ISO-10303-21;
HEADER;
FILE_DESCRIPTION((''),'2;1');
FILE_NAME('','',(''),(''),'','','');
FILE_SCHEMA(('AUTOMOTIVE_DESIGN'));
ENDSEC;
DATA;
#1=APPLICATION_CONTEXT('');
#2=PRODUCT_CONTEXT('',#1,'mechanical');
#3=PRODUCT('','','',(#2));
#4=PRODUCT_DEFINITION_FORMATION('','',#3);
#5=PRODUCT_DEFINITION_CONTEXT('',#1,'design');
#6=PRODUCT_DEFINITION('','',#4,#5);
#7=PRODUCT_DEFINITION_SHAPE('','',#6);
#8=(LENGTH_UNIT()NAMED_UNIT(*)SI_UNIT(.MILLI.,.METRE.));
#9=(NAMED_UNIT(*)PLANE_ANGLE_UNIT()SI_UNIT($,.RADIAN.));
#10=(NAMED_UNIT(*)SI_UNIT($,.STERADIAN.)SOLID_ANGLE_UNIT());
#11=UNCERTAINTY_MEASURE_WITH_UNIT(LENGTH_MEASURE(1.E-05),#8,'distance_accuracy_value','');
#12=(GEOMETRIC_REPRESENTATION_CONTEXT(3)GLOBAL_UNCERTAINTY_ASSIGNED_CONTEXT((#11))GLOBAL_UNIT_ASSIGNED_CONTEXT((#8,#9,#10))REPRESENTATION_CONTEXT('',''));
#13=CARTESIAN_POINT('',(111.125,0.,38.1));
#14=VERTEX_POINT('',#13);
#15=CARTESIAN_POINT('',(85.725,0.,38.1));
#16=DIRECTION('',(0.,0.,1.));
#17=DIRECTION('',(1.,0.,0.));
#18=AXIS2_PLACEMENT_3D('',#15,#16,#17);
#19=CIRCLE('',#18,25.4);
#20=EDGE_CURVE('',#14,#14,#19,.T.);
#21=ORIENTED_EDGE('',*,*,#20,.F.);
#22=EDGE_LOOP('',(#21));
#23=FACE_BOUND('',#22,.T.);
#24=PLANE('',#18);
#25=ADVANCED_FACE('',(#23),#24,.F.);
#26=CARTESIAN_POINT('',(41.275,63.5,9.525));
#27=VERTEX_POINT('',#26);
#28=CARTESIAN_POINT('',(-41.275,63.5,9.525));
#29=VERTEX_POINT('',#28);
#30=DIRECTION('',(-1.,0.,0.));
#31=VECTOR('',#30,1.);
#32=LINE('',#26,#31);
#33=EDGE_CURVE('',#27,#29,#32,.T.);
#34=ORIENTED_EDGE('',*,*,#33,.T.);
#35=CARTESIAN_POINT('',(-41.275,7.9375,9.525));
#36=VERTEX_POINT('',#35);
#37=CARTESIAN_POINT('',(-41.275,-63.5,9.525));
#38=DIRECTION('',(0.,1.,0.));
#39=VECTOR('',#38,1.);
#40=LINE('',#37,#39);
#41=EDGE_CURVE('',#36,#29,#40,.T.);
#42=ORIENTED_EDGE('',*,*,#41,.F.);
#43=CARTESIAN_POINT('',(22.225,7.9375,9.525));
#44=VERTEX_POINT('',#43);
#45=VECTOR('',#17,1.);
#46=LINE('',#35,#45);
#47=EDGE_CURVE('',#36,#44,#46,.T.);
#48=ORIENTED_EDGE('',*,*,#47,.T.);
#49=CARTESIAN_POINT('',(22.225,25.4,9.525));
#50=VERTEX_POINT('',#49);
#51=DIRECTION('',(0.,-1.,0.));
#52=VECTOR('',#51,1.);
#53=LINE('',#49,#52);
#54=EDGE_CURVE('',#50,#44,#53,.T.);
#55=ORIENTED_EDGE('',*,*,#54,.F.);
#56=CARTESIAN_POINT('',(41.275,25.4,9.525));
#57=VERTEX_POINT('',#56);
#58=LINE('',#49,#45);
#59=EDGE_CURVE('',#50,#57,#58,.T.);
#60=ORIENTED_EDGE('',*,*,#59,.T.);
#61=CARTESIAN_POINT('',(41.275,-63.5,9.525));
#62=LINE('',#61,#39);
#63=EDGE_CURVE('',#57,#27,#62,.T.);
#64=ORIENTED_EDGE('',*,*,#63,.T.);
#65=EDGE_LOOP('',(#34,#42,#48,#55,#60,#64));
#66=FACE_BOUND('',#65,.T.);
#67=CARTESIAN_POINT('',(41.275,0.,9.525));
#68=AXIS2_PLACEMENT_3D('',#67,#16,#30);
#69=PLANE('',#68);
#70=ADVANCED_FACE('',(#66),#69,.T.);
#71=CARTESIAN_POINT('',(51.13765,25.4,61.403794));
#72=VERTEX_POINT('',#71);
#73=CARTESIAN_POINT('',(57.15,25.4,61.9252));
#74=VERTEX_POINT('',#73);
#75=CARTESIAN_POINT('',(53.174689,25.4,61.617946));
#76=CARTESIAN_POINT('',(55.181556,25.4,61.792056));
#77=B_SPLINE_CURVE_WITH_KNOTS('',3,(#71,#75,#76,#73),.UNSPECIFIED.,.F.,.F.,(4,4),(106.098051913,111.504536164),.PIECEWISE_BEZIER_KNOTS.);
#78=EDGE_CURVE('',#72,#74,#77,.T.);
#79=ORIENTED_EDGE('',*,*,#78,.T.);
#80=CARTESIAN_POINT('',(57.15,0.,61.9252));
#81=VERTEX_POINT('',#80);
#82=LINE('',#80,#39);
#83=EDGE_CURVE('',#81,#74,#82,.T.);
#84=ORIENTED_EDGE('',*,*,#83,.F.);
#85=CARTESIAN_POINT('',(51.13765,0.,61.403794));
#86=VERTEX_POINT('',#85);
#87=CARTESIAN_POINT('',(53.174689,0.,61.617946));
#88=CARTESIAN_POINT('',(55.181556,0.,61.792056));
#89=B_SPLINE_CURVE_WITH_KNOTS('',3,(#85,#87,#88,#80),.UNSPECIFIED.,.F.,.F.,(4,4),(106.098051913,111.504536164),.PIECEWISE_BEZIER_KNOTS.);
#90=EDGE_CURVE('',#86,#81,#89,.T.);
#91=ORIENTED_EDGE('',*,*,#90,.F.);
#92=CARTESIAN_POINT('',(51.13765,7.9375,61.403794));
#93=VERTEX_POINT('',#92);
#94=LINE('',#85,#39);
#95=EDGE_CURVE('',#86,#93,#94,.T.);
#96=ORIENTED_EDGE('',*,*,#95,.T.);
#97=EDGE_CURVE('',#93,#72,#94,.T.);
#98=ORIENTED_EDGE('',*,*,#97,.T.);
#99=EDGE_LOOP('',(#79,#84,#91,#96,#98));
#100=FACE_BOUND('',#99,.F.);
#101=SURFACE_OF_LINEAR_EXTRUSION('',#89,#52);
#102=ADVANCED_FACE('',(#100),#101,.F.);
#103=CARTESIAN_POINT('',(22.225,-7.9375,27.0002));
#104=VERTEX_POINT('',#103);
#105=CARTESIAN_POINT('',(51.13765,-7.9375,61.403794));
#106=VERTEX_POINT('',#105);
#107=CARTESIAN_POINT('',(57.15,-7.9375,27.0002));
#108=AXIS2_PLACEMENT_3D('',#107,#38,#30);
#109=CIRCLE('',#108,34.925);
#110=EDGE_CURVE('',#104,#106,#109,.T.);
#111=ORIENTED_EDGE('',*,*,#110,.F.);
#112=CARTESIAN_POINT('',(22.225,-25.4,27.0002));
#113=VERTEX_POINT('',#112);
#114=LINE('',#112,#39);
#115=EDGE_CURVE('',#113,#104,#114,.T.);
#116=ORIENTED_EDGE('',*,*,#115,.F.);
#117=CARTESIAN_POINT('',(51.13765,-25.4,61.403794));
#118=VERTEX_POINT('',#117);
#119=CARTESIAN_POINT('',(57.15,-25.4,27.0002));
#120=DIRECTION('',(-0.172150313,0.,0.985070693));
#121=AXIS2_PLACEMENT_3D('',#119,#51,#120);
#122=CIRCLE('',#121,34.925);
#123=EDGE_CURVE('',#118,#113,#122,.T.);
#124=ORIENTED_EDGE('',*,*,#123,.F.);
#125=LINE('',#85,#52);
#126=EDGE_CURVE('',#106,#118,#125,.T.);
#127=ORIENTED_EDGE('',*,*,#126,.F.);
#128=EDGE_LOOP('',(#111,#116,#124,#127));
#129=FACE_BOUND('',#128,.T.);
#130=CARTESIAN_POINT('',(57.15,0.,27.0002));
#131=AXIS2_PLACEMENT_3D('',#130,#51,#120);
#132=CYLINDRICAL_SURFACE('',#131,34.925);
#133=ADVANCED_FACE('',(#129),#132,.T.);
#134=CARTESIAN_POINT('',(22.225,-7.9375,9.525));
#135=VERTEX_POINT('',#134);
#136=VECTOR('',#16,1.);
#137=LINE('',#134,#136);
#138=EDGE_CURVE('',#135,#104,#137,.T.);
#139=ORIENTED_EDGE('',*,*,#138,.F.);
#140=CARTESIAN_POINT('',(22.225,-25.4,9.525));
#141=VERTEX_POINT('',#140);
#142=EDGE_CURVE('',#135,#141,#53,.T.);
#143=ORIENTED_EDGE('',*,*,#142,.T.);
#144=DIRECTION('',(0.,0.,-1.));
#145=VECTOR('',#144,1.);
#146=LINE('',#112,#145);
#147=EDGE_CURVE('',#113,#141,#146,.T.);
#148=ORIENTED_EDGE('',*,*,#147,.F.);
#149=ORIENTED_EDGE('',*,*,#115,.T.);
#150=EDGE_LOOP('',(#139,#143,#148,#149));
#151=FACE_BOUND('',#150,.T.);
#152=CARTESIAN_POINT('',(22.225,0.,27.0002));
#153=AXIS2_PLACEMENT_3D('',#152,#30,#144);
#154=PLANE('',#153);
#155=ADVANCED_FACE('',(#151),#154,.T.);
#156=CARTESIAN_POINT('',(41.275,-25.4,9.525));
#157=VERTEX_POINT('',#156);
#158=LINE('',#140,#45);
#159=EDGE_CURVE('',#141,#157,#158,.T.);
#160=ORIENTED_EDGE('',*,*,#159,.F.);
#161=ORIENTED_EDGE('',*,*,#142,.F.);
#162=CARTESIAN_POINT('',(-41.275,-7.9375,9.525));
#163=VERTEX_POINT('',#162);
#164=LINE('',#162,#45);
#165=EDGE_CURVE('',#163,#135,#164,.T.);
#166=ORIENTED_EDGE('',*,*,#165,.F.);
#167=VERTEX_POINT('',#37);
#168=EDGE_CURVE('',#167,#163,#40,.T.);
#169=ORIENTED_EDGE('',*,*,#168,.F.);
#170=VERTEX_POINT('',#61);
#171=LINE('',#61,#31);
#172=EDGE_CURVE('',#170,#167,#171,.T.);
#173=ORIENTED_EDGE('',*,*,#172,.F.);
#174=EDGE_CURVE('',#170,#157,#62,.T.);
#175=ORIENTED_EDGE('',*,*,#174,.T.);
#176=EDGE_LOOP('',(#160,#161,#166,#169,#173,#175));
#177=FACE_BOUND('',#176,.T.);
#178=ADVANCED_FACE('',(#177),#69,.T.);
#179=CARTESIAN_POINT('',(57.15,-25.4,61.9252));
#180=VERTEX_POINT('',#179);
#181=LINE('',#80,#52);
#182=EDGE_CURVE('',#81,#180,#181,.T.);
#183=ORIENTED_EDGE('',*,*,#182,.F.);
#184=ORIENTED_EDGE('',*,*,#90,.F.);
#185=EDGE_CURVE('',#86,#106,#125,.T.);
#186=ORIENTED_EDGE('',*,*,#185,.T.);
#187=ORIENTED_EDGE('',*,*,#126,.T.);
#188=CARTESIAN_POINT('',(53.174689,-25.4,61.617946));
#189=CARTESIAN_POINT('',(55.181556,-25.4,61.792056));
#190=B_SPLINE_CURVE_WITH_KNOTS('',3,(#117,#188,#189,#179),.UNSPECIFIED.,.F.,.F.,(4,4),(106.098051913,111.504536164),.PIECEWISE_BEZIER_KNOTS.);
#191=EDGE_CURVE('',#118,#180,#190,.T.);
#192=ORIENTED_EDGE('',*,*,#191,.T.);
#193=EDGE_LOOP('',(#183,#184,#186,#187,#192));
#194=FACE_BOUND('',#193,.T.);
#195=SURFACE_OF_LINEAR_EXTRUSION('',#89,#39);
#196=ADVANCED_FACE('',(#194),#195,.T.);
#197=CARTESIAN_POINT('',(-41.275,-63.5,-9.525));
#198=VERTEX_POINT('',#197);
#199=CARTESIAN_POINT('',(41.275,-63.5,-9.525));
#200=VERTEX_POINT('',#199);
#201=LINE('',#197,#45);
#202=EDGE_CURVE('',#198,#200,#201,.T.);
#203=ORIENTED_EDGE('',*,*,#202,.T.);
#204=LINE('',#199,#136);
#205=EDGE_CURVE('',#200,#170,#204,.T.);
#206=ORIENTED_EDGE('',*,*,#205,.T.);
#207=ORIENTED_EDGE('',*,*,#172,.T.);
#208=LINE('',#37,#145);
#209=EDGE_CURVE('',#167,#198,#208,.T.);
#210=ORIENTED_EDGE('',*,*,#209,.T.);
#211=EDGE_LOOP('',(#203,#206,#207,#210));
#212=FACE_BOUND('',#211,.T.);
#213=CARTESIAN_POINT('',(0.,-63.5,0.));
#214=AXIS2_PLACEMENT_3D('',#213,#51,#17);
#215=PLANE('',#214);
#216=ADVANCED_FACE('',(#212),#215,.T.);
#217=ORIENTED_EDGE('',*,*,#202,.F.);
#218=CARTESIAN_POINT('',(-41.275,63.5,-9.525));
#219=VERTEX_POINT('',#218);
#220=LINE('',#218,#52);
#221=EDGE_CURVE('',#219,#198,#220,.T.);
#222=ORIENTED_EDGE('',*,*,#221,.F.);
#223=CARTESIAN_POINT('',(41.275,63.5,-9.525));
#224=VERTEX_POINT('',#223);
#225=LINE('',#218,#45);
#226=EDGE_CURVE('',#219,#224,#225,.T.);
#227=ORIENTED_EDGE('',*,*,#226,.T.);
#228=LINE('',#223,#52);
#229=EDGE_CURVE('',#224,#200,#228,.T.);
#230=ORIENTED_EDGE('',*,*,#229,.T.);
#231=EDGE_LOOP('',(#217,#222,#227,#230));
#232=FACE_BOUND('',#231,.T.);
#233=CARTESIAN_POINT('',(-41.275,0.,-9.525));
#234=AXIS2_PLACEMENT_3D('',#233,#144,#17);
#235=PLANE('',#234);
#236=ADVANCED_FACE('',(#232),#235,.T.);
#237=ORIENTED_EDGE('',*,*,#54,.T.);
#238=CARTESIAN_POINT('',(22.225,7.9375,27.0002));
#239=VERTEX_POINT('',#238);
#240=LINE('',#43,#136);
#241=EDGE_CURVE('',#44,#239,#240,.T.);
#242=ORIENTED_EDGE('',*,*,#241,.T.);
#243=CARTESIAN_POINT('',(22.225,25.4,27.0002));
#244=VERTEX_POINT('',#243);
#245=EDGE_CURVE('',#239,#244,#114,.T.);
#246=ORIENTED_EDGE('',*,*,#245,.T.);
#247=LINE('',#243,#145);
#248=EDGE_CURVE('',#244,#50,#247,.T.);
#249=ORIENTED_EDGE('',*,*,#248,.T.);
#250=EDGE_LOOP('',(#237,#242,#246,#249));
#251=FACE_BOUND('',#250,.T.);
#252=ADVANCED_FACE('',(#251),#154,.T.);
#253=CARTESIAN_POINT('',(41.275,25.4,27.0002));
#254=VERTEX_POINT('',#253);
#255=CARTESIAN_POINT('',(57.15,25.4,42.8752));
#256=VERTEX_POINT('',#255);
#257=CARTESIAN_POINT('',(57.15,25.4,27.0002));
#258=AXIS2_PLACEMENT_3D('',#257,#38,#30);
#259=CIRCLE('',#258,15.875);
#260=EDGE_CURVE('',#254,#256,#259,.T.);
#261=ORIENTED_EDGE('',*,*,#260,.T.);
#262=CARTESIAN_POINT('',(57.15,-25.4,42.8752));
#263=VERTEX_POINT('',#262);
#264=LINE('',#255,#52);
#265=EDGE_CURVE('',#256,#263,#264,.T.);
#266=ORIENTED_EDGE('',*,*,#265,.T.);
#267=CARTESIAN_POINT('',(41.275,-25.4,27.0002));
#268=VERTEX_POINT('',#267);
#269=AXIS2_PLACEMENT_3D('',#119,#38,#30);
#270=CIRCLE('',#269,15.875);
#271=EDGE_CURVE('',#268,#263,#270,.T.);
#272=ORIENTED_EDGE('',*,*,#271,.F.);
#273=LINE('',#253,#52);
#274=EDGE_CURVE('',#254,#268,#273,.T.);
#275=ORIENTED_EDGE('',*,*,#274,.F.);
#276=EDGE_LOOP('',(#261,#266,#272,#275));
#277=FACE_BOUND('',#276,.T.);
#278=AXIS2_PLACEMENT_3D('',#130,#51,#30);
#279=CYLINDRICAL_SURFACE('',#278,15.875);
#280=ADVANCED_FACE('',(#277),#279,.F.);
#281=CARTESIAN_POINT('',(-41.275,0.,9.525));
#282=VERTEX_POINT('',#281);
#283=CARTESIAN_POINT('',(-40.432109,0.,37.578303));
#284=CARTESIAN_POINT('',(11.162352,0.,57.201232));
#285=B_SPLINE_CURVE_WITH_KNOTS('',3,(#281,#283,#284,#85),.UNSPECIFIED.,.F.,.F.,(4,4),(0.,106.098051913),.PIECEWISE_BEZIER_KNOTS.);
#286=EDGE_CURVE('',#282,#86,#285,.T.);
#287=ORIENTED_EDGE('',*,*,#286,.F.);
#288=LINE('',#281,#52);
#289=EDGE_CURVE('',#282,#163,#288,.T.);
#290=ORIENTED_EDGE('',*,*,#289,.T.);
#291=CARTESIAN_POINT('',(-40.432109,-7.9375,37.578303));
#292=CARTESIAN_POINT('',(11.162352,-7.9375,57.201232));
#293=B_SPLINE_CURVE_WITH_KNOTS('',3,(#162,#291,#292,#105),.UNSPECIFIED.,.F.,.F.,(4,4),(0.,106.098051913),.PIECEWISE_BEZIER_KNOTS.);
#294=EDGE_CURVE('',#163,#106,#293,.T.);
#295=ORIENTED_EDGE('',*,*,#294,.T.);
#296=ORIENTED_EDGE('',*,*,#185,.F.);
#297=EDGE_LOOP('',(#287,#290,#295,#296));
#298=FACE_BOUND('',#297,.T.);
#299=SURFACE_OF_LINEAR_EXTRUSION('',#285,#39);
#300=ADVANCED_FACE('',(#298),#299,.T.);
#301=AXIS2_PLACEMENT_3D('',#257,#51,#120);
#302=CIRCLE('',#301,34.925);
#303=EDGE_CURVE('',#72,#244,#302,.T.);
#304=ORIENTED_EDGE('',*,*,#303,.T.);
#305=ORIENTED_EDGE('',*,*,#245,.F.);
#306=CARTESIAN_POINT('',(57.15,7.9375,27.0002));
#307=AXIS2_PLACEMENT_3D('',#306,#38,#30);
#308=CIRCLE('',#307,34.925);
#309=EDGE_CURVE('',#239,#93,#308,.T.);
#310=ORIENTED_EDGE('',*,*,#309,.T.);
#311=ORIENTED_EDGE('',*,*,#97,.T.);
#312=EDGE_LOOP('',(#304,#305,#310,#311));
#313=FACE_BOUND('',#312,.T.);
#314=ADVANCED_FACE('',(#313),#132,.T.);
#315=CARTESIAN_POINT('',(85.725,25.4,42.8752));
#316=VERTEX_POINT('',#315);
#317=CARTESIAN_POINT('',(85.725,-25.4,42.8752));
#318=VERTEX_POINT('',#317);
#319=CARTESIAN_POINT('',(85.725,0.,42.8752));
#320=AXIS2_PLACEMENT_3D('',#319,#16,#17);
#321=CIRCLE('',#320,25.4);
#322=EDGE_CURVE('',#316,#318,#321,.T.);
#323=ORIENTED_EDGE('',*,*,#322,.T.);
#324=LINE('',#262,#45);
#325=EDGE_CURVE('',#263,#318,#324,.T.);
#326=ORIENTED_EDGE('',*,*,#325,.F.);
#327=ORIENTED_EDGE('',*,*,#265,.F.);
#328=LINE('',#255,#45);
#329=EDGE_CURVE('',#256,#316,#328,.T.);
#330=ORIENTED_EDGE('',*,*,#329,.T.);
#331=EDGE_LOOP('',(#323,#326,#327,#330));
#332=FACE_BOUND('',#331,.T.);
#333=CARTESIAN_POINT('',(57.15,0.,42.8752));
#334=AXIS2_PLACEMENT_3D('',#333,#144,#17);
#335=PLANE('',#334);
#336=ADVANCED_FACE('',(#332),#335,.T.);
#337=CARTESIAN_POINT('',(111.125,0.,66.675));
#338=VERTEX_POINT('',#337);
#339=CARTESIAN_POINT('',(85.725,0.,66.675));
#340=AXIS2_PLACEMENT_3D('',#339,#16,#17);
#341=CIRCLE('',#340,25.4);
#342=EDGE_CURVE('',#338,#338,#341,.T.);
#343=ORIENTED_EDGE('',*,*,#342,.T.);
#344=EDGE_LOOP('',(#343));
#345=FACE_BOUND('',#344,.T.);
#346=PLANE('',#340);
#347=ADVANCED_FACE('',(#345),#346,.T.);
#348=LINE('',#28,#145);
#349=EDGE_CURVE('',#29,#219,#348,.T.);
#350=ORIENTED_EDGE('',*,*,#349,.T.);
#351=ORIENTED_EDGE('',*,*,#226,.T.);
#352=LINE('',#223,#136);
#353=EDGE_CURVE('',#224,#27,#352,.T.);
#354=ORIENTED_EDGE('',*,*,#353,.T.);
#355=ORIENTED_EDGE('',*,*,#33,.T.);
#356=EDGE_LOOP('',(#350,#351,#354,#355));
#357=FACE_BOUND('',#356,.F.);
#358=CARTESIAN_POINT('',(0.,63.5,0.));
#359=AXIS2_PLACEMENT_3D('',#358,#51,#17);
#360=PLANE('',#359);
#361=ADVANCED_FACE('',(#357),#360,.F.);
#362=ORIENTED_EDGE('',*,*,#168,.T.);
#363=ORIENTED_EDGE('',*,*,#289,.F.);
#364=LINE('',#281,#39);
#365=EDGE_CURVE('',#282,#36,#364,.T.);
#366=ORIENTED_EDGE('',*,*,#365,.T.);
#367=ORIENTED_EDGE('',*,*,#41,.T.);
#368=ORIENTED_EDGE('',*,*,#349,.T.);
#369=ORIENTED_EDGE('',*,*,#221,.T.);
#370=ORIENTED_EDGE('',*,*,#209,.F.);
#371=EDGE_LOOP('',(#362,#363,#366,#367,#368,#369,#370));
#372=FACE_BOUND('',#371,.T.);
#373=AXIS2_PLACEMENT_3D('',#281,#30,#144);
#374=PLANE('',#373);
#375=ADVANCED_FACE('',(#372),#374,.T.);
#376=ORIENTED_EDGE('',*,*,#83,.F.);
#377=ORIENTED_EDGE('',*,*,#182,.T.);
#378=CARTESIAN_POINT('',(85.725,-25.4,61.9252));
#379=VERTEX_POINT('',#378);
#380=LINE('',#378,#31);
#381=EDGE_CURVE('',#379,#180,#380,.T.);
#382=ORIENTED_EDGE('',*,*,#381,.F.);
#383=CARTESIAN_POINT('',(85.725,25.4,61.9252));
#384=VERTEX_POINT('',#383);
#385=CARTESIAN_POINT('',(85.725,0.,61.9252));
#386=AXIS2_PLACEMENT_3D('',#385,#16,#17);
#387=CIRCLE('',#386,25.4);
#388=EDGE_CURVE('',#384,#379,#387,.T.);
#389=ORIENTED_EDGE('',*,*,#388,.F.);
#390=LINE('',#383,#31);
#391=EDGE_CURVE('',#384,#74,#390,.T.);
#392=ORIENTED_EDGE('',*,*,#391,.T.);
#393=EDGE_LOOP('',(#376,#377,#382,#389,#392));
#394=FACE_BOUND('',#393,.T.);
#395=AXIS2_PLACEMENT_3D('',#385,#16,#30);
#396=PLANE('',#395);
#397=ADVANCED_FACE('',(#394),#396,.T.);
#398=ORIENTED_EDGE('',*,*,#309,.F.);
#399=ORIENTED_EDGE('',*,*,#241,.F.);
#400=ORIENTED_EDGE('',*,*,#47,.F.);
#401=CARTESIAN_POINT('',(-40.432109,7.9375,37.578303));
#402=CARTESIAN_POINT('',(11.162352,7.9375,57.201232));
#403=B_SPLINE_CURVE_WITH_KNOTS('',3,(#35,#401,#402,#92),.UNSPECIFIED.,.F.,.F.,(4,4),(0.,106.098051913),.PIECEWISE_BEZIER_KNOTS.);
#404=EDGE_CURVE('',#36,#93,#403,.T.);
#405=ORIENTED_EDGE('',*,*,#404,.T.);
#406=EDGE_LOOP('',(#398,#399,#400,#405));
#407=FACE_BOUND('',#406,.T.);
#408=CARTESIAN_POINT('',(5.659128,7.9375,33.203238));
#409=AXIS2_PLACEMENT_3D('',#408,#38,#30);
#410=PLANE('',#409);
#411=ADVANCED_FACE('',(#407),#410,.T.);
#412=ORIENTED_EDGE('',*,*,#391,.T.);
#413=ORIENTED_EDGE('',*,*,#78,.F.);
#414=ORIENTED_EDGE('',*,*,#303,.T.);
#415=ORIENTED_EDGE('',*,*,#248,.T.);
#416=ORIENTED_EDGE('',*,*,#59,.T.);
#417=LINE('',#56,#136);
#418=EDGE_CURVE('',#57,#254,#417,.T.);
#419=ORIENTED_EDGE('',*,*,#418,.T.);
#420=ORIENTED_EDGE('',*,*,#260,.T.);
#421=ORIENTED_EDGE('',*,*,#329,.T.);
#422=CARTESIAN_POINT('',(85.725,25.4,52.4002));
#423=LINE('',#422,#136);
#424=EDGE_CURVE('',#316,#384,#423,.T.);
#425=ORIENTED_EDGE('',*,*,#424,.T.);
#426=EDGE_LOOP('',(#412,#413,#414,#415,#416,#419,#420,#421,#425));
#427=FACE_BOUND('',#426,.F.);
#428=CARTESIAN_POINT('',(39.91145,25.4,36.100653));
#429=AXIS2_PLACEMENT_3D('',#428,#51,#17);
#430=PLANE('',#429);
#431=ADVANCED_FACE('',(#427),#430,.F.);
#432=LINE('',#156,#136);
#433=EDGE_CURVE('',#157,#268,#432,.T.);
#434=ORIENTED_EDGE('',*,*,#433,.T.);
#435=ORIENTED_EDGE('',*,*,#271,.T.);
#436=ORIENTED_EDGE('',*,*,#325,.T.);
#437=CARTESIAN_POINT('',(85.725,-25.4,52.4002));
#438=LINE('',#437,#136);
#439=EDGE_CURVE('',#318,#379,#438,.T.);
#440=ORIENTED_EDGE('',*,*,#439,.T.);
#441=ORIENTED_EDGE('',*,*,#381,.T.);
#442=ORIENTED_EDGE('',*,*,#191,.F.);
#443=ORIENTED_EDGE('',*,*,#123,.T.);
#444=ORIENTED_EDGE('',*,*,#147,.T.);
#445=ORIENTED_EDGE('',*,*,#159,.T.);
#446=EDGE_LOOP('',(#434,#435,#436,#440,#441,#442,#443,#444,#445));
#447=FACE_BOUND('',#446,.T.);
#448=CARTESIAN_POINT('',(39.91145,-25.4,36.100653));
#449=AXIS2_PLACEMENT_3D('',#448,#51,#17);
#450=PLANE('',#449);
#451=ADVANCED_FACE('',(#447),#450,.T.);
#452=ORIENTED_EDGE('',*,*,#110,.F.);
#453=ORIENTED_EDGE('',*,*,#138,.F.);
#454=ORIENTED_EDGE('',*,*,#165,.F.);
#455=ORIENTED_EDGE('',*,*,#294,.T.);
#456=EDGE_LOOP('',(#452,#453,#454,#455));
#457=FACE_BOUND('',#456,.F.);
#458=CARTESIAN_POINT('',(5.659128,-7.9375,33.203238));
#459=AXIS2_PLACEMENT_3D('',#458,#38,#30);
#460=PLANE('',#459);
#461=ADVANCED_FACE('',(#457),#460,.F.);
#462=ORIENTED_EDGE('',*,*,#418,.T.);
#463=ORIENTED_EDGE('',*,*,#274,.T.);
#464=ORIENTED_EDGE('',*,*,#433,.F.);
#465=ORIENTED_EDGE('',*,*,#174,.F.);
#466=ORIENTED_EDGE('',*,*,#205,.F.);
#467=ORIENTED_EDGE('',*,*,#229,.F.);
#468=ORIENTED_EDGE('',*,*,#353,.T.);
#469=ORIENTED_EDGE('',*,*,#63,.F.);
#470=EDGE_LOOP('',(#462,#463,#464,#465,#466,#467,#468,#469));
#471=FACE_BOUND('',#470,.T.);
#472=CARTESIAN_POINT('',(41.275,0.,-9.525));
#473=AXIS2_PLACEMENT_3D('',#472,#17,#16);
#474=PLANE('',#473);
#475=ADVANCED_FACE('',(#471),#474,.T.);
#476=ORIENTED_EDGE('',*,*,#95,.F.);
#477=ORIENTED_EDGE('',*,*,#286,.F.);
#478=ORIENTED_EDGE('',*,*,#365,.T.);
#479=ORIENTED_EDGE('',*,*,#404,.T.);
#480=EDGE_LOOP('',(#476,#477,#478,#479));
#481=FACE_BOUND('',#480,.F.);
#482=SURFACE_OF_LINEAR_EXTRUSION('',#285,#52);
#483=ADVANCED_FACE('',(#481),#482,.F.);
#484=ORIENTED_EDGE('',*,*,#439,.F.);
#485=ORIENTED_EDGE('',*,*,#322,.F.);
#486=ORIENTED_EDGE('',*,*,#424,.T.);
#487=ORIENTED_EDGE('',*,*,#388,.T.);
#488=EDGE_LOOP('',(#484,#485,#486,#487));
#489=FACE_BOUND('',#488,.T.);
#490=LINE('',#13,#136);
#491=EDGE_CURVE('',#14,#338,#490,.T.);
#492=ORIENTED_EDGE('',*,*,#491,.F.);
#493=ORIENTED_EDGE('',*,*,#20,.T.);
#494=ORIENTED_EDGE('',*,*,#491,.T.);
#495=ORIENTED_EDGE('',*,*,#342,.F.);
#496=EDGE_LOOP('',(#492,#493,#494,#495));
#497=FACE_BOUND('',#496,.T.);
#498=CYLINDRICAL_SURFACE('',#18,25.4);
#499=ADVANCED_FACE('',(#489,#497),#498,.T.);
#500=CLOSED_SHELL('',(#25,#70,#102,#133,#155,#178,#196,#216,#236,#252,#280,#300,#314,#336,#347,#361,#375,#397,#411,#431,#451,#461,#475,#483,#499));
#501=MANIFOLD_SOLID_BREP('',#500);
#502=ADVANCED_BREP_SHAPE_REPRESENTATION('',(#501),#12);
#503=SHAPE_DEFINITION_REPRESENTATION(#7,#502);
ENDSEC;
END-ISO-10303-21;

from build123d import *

# Parameters (mm, degrees)
F1_DEPTH = 63.5
F0_W     = 25.4
F0_H     = 19.05
F2_DEPTH = 25.4
F3_DEPTH = 7.9375


with BuildPart() as f1:
    # F0 (on Front) → F1 (new body, symmetric)
    with BuildSketch(Plane.XZ):
        Polygon((22.225, 9.525), (-41.275, 9.525), (-41.275, -9.525), (41.275, -9.525), (41.275, 9.525), align=None)
    extrude(amount=F1_DEPTH, both=True)

    # F0 (on Front) → F2 (join, symmetric)
    with BuildSketch(Plane.XZ):
        with BuildLine():
            Line((22.225, 27.0002), (22.225, 9.525))
            Line((22.225, 9.525), (41.275, 9.525))
            Line((41.275, 9.525), (41.275, 27.0002))
            ThreePointArc((41.275, 27.0002), (45.9246798487, 38.2255201513), (57.15, 42.8752))
            Line((57.15, 42.8752), (60.325, 42.8752))
            Line((60.325, 42.8752), (60.325, 61.9252))
            Line((60.325, 61.9252), (57.15, 61.9252))
            add(Edge.make_bspline(
                [(51.1376503086, 61.4037939429), (53.174688835, 61.6179457119), (55.1815563456, 61.7920560341), (57.15, 61.9252)],
                knots=[106.0980519126, 106.0980519126, 106.0980519126, 106.0980519126, 111.5045361635, 111.5045361635, 111.5045361635, 111.5045361635], degree=3))
            ThreePointArc((51.1376503086, 61.4037939429), (30.4129756894, 49.4698941682), (22.225, 27.0002))
        make_face()
        with Locations((73.025, 52.4002)):
            Rectangle(F0_W, F0_H)
    extrude(amount=F2_DEPTH, both=True)

    # F0 (on Front) → F3 (join, symmetric)
    with BuildSketch(Plane.XZ):
        with BuildLine():
            add(Edge.make_bspline(
                [(-41.275, 9.525), (-40.4321093733, 37.5783033458), (11.1623522611, 57.2012318992), (51.1376503086, 61.4037939429)],
                knots=[0, 0, 0, 0, 106.0980519126, 106.0980519126, 106.0980519126, 106.0980519126], degree=3))
            Line((-41.275, 9.525), (22.225, 9.525))
            Line((22.225, 9.525), (22.225, 27.0002))
            ThreePointArc((22.225, 27.0002), (30.4129756894, 49.4698941682), (51.1376503086, 61.4037939429))
        make_face()
    extrude(amount=F3_DEPTH, both=True)

    # F0 (on Front) → F4 (revolve)
    with BuildSketch(Plane.XZ):
        Polygon((85.725, 66.675), (85.725, 61.9252), (85.725, 42.8752), (85.725, 38.1), (111.125, 38.1), (111.125, 66.675), align=None)
    revolve(axis=Axis((85.725, 0, 54.7751), (0, 0, 1)))


solid = f1.part
